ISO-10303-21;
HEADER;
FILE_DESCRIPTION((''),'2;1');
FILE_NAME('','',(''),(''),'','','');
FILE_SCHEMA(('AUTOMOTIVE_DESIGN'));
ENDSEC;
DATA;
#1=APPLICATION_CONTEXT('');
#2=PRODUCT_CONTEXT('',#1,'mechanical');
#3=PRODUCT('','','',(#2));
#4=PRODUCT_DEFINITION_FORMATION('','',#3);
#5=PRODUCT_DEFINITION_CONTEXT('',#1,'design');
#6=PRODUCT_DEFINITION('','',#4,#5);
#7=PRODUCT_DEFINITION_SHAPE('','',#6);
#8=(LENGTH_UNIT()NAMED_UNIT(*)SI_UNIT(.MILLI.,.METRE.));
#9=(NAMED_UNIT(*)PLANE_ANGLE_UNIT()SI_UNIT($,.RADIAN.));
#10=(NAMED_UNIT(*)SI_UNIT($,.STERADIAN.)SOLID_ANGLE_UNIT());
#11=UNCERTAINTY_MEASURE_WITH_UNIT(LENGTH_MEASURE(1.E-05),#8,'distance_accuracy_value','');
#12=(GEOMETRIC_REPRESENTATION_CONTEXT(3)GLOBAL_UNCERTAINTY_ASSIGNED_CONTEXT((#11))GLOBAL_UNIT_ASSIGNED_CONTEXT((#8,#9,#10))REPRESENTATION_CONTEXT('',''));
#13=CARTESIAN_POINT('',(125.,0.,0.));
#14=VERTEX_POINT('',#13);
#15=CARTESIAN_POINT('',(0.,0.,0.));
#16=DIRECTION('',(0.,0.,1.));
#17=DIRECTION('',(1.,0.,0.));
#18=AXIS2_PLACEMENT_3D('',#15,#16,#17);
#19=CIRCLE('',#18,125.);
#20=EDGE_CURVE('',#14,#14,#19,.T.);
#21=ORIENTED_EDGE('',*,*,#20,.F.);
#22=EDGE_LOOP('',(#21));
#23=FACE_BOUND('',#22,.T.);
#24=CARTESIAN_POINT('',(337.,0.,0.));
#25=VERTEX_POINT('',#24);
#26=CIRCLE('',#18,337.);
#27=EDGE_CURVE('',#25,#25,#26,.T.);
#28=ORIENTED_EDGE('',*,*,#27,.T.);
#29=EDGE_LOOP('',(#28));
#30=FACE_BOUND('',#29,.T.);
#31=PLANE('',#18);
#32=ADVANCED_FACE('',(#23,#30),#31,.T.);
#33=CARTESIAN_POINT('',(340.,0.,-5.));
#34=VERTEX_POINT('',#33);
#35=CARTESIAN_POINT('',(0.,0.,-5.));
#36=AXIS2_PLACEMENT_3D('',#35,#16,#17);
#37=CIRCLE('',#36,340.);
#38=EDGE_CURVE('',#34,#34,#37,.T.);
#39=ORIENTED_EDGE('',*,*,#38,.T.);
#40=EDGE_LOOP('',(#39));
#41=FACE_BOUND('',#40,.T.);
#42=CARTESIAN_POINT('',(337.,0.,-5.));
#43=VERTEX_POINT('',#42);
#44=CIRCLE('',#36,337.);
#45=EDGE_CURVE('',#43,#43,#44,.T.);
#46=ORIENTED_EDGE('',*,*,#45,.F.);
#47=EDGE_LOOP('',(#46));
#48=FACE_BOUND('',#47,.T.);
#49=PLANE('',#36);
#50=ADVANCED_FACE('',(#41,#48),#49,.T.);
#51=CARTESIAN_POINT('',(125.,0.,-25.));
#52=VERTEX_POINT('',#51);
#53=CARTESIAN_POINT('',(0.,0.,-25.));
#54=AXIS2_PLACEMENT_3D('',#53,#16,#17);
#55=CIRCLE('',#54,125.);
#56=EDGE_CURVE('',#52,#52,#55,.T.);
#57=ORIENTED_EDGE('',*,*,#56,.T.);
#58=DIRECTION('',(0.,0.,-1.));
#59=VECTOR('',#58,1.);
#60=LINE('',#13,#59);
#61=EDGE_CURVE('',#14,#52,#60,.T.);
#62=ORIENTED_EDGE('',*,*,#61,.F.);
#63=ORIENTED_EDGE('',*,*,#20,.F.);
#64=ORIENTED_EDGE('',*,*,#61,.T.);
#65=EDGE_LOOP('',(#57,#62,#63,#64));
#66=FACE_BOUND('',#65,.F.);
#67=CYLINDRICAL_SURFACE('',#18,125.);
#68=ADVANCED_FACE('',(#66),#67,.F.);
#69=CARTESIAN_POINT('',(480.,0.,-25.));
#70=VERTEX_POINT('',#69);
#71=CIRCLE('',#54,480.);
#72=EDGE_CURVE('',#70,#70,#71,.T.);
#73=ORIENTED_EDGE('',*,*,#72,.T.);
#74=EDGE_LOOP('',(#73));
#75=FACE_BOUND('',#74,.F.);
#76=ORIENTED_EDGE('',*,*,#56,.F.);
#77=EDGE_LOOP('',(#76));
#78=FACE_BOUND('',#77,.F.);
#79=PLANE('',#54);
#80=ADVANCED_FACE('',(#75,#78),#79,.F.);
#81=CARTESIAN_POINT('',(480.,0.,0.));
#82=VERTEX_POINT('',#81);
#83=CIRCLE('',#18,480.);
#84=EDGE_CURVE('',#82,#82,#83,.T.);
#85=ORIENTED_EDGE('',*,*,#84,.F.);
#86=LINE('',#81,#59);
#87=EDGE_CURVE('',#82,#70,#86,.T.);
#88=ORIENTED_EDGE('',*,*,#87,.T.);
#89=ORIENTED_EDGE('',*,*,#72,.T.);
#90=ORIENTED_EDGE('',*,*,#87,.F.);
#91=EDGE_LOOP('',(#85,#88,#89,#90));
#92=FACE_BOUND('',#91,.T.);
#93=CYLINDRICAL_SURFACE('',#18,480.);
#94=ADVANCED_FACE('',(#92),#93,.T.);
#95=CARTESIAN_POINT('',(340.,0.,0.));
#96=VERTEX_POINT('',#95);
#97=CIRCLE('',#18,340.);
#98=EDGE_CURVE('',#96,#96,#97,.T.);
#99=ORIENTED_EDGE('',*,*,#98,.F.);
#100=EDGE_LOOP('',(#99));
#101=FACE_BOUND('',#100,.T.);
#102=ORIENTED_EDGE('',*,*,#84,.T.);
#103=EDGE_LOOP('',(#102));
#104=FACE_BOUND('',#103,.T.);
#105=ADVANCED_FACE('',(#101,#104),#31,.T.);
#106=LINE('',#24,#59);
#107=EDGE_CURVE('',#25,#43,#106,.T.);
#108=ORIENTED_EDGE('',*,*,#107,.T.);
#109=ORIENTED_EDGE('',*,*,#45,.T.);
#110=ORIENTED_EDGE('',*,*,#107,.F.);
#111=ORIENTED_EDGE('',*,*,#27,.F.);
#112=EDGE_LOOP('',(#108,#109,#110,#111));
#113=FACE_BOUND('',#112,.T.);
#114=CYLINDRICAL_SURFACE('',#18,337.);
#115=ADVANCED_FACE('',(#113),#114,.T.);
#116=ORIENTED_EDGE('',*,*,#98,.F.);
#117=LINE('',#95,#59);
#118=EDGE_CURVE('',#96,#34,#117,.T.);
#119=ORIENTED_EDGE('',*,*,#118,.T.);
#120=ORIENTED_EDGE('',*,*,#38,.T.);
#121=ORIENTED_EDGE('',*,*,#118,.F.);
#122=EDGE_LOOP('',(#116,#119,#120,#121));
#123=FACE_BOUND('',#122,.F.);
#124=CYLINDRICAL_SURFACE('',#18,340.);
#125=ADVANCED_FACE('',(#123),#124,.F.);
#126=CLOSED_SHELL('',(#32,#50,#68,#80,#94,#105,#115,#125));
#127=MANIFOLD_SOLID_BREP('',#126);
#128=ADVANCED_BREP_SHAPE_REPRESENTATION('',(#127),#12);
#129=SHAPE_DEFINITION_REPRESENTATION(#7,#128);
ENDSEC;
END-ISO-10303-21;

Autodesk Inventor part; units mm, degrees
ref_plane "YZ Plane" through (0, 0, 0) normal (1, 0, 0) x (0, 1, 0)
ref_plane "XZ Plane" through (0, 0, 0) normal (0, 1, 0) x (-1, 0, 0)
ref_plane "XY Plane" through (0, 0, 0) normal (0, 0, 1) x (1, 0, 0)
sketch "Boceto1" plane through (0, 0, 0) normal (0, 0, 1) x (1, 0, 0)
  circle A0 centre (0, 0) radius 125
  circle A1 centre (0, 0) radius 480
  dimension "d0" = 960
  dimension "d1" = 250
extrude "Extrusión1" add sketch "Boceto1" against normal blind 25
sketch "Boceto2" plane through (0, 0, 0) normal (0, 0, 1) x (1, 0, 0)
  circle A0 centre (0, 0) radius 340
  circle A1 centre (0, 0) radius 337
  dimension "d4" = 680
  dimension "d5" = 674
extrude "Extrusión2" cut sketch "Boceto2" against normal blind 5
sketch "Boceto3" plane through (0, 0, 0) normal (0, 0, 1) x (1, 0, 0)
  circle A0 centre (0, 0) radius 332.5 construction
  circle A1 centre (0, 332.5) radius 6
  circle A2 centre (-113.7217, 312.4478) radius 6
  circle A3 centre (-213.7269, 254.7098) radius 6
  circle A4 centre (-287.9534, 166.25) radius 6
  circle A5 centre (-327.4486, 57.738) radius 6
  circle A6 centre (-327.4486, -57.738) radius 6
  circle A7 centre (-287.9534, -166.25) radius 6
  circle A8 centre (-213.7269, -254.7098) radius 6
  circle A9 centre (-113.7217, -312.4478) radius 6
  circle A10 centre (0, -332.5) radius 6
  circle A11 centre (113.7217, -312.4478) radius 6
  circle A12 centre (213.7269, -254.7098) radius 6
  circle A13 centre (287.9534, -166.25) radius 6
  circle A14 centre (327.4486, -57.738) radius 6
  circle A15 centre (327.4486, 57.738) radius 6
  circle A16 centre (287.9534, 166.25) radius 6
  circle A17 centre (213.7269, 254.7098) radius 6
  circle A18 centre (113.7217, 312.4478) radius 6
  dimension "d8" = 665
  dimension "d9" = 12
  dimension "d12" = 360
extrude "Extrusión3" [suppressed]
properties part number "Brida_2 (flange_2) Lebus"
